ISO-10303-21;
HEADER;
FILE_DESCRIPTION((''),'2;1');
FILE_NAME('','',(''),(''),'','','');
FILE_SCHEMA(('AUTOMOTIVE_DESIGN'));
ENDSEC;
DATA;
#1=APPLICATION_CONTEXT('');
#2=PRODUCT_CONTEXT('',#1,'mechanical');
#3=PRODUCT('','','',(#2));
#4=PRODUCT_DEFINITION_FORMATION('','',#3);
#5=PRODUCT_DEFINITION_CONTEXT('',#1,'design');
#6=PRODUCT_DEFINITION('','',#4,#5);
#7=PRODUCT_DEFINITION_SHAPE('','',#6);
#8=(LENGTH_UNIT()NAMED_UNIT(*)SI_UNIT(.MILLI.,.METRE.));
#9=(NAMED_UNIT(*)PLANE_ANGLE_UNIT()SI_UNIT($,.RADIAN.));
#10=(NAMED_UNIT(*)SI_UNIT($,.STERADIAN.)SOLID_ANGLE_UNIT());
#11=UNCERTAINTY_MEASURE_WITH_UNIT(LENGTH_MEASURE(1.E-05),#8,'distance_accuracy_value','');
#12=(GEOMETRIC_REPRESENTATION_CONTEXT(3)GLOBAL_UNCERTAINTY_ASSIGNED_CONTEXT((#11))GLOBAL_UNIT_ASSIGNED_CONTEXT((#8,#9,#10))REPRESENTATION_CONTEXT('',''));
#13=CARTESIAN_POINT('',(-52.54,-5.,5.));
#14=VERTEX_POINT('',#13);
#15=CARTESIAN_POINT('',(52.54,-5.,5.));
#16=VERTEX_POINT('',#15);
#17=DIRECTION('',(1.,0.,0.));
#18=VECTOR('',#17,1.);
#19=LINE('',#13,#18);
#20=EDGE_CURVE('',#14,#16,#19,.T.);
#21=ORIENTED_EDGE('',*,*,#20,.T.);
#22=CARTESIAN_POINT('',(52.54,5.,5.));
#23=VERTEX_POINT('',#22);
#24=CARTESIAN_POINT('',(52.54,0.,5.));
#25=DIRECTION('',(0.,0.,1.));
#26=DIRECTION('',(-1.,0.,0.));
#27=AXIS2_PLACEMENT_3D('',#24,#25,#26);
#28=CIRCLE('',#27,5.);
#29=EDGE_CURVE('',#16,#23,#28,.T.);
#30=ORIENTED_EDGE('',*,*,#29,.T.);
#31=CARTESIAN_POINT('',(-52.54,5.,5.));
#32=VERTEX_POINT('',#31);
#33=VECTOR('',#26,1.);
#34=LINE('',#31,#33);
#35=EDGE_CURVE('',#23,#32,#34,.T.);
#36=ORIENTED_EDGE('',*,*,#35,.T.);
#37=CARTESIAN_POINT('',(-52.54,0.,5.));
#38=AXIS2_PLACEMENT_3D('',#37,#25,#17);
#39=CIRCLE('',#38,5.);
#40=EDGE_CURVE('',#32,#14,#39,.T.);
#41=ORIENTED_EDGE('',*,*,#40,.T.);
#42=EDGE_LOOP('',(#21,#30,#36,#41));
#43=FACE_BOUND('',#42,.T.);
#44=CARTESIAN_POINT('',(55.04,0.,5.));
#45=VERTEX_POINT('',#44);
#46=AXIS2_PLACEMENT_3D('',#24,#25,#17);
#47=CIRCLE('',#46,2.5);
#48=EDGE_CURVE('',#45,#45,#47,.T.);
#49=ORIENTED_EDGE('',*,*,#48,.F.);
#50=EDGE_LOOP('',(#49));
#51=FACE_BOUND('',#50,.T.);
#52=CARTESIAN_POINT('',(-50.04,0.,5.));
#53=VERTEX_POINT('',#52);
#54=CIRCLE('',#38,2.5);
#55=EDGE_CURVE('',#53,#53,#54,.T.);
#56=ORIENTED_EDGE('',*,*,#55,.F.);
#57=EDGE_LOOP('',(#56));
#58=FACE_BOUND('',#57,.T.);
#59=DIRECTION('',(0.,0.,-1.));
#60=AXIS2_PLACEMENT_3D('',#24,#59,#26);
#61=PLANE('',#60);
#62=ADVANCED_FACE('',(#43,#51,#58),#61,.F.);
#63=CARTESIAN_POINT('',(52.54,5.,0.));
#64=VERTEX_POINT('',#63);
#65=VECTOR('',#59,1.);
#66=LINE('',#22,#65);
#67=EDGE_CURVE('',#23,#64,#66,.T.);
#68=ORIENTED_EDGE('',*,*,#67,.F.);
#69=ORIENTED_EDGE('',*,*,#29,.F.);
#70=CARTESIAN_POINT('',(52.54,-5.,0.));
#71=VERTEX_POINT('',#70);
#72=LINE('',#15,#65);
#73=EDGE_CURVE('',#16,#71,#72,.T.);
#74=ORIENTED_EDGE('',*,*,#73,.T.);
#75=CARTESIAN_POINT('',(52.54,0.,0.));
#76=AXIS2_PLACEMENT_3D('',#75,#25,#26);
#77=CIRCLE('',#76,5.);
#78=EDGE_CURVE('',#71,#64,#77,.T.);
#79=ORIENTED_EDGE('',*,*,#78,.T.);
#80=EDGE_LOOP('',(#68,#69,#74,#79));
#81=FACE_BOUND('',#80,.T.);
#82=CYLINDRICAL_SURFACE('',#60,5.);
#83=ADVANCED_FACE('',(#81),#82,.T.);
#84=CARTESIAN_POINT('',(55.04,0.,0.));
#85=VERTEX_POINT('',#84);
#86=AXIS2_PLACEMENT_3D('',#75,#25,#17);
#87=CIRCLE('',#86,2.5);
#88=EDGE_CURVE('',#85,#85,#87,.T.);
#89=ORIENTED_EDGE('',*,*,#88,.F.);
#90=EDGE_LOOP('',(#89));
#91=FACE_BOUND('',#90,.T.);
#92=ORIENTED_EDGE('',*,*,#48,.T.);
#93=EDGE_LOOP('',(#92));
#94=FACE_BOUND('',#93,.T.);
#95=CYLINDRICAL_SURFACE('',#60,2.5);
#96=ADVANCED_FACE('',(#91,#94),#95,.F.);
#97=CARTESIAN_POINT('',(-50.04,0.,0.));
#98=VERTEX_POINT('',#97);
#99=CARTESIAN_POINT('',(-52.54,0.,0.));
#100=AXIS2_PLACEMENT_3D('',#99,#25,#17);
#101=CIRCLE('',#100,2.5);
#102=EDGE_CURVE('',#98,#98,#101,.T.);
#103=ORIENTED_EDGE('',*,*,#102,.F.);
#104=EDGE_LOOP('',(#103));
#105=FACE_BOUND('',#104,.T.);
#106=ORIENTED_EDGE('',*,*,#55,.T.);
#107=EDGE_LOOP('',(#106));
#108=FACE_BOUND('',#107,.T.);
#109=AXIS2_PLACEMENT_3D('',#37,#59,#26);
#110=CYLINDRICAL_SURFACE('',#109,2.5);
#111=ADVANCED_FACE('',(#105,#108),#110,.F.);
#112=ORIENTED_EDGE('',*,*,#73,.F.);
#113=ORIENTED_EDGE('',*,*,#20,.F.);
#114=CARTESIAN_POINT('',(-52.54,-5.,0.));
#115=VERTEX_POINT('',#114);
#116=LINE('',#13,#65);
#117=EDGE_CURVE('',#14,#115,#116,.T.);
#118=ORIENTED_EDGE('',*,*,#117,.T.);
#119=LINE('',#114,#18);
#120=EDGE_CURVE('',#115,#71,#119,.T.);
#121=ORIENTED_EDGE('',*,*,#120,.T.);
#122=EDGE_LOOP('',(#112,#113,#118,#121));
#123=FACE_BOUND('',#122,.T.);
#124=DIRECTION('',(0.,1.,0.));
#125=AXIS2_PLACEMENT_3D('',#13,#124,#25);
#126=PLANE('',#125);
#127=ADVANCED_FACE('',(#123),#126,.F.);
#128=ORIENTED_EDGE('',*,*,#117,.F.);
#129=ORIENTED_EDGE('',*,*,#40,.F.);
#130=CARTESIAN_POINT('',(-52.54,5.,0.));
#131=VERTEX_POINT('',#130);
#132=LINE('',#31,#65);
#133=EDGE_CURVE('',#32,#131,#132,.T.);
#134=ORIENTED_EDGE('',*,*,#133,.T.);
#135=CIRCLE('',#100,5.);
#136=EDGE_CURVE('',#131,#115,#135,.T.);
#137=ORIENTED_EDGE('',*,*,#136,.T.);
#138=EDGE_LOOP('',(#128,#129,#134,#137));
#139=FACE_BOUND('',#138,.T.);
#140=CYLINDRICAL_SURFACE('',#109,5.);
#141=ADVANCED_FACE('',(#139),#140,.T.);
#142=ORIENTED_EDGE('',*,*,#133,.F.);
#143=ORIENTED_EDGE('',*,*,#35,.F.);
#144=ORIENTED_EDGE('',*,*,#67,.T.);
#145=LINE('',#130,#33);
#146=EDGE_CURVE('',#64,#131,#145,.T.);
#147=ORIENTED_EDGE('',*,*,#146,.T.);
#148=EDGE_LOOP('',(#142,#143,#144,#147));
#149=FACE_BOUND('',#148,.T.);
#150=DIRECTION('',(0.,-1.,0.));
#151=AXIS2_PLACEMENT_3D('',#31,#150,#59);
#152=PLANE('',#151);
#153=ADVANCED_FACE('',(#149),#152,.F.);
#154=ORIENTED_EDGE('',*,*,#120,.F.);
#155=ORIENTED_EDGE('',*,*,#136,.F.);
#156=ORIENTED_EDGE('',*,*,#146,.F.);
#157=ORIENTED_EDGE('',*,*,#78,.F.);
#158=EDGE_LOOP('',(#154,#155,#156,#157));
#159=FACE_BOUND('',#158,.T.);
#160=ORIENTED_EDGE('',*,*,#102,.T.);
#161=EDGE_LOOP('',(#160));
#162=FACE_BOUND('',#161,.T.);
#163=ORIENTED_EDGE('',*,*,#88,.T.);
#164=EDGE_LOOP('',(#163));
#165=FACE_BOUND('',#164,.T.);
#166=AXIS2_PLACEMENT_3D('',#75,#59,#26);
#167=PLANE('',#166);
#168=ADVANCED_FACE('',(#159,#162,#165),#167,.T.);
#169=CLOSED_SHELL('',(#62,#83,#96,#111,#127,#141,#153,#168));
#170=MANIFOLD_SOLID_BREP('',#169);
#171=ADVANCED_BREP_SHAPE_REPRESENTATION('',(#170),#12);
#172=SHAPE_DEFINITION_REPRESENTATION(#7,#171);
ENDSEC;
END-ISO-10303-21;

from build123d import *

# Parameters (mm, degrees)
ESBO_O1_R                = 2.5
RESSALTO_EXTRUS_O1_DEPTH = 5


with BuildPart() as part:
    # Esboço1 → Ressalto-extrusão1 (new body)
    with BuildSketch(Plane.XY):
        with BuildLine():
            Line((-52.54, 5), (52.54, 5))
            ThreePointArc((52.54, 5), (57.54, 0), (52.54, -5))
            Line((52.54, -5), (-52.54, -5))
            ThreePointArc((-52.54, -5), (-57.54, 0), (-52.54, 5))
        make_face()
        with Locations((-52.54, 0)):
            Circle(ESBO_O1_R, mode=Mode.SUBTRACT)
        with Locations((52.54, 0)):
            Circle(ESBO_O1_R, mode=Mode.SUBTRACT)
    extrude(amount=RESSALTO_EXTRUS_O1_DEPTH)


solid = part.part
